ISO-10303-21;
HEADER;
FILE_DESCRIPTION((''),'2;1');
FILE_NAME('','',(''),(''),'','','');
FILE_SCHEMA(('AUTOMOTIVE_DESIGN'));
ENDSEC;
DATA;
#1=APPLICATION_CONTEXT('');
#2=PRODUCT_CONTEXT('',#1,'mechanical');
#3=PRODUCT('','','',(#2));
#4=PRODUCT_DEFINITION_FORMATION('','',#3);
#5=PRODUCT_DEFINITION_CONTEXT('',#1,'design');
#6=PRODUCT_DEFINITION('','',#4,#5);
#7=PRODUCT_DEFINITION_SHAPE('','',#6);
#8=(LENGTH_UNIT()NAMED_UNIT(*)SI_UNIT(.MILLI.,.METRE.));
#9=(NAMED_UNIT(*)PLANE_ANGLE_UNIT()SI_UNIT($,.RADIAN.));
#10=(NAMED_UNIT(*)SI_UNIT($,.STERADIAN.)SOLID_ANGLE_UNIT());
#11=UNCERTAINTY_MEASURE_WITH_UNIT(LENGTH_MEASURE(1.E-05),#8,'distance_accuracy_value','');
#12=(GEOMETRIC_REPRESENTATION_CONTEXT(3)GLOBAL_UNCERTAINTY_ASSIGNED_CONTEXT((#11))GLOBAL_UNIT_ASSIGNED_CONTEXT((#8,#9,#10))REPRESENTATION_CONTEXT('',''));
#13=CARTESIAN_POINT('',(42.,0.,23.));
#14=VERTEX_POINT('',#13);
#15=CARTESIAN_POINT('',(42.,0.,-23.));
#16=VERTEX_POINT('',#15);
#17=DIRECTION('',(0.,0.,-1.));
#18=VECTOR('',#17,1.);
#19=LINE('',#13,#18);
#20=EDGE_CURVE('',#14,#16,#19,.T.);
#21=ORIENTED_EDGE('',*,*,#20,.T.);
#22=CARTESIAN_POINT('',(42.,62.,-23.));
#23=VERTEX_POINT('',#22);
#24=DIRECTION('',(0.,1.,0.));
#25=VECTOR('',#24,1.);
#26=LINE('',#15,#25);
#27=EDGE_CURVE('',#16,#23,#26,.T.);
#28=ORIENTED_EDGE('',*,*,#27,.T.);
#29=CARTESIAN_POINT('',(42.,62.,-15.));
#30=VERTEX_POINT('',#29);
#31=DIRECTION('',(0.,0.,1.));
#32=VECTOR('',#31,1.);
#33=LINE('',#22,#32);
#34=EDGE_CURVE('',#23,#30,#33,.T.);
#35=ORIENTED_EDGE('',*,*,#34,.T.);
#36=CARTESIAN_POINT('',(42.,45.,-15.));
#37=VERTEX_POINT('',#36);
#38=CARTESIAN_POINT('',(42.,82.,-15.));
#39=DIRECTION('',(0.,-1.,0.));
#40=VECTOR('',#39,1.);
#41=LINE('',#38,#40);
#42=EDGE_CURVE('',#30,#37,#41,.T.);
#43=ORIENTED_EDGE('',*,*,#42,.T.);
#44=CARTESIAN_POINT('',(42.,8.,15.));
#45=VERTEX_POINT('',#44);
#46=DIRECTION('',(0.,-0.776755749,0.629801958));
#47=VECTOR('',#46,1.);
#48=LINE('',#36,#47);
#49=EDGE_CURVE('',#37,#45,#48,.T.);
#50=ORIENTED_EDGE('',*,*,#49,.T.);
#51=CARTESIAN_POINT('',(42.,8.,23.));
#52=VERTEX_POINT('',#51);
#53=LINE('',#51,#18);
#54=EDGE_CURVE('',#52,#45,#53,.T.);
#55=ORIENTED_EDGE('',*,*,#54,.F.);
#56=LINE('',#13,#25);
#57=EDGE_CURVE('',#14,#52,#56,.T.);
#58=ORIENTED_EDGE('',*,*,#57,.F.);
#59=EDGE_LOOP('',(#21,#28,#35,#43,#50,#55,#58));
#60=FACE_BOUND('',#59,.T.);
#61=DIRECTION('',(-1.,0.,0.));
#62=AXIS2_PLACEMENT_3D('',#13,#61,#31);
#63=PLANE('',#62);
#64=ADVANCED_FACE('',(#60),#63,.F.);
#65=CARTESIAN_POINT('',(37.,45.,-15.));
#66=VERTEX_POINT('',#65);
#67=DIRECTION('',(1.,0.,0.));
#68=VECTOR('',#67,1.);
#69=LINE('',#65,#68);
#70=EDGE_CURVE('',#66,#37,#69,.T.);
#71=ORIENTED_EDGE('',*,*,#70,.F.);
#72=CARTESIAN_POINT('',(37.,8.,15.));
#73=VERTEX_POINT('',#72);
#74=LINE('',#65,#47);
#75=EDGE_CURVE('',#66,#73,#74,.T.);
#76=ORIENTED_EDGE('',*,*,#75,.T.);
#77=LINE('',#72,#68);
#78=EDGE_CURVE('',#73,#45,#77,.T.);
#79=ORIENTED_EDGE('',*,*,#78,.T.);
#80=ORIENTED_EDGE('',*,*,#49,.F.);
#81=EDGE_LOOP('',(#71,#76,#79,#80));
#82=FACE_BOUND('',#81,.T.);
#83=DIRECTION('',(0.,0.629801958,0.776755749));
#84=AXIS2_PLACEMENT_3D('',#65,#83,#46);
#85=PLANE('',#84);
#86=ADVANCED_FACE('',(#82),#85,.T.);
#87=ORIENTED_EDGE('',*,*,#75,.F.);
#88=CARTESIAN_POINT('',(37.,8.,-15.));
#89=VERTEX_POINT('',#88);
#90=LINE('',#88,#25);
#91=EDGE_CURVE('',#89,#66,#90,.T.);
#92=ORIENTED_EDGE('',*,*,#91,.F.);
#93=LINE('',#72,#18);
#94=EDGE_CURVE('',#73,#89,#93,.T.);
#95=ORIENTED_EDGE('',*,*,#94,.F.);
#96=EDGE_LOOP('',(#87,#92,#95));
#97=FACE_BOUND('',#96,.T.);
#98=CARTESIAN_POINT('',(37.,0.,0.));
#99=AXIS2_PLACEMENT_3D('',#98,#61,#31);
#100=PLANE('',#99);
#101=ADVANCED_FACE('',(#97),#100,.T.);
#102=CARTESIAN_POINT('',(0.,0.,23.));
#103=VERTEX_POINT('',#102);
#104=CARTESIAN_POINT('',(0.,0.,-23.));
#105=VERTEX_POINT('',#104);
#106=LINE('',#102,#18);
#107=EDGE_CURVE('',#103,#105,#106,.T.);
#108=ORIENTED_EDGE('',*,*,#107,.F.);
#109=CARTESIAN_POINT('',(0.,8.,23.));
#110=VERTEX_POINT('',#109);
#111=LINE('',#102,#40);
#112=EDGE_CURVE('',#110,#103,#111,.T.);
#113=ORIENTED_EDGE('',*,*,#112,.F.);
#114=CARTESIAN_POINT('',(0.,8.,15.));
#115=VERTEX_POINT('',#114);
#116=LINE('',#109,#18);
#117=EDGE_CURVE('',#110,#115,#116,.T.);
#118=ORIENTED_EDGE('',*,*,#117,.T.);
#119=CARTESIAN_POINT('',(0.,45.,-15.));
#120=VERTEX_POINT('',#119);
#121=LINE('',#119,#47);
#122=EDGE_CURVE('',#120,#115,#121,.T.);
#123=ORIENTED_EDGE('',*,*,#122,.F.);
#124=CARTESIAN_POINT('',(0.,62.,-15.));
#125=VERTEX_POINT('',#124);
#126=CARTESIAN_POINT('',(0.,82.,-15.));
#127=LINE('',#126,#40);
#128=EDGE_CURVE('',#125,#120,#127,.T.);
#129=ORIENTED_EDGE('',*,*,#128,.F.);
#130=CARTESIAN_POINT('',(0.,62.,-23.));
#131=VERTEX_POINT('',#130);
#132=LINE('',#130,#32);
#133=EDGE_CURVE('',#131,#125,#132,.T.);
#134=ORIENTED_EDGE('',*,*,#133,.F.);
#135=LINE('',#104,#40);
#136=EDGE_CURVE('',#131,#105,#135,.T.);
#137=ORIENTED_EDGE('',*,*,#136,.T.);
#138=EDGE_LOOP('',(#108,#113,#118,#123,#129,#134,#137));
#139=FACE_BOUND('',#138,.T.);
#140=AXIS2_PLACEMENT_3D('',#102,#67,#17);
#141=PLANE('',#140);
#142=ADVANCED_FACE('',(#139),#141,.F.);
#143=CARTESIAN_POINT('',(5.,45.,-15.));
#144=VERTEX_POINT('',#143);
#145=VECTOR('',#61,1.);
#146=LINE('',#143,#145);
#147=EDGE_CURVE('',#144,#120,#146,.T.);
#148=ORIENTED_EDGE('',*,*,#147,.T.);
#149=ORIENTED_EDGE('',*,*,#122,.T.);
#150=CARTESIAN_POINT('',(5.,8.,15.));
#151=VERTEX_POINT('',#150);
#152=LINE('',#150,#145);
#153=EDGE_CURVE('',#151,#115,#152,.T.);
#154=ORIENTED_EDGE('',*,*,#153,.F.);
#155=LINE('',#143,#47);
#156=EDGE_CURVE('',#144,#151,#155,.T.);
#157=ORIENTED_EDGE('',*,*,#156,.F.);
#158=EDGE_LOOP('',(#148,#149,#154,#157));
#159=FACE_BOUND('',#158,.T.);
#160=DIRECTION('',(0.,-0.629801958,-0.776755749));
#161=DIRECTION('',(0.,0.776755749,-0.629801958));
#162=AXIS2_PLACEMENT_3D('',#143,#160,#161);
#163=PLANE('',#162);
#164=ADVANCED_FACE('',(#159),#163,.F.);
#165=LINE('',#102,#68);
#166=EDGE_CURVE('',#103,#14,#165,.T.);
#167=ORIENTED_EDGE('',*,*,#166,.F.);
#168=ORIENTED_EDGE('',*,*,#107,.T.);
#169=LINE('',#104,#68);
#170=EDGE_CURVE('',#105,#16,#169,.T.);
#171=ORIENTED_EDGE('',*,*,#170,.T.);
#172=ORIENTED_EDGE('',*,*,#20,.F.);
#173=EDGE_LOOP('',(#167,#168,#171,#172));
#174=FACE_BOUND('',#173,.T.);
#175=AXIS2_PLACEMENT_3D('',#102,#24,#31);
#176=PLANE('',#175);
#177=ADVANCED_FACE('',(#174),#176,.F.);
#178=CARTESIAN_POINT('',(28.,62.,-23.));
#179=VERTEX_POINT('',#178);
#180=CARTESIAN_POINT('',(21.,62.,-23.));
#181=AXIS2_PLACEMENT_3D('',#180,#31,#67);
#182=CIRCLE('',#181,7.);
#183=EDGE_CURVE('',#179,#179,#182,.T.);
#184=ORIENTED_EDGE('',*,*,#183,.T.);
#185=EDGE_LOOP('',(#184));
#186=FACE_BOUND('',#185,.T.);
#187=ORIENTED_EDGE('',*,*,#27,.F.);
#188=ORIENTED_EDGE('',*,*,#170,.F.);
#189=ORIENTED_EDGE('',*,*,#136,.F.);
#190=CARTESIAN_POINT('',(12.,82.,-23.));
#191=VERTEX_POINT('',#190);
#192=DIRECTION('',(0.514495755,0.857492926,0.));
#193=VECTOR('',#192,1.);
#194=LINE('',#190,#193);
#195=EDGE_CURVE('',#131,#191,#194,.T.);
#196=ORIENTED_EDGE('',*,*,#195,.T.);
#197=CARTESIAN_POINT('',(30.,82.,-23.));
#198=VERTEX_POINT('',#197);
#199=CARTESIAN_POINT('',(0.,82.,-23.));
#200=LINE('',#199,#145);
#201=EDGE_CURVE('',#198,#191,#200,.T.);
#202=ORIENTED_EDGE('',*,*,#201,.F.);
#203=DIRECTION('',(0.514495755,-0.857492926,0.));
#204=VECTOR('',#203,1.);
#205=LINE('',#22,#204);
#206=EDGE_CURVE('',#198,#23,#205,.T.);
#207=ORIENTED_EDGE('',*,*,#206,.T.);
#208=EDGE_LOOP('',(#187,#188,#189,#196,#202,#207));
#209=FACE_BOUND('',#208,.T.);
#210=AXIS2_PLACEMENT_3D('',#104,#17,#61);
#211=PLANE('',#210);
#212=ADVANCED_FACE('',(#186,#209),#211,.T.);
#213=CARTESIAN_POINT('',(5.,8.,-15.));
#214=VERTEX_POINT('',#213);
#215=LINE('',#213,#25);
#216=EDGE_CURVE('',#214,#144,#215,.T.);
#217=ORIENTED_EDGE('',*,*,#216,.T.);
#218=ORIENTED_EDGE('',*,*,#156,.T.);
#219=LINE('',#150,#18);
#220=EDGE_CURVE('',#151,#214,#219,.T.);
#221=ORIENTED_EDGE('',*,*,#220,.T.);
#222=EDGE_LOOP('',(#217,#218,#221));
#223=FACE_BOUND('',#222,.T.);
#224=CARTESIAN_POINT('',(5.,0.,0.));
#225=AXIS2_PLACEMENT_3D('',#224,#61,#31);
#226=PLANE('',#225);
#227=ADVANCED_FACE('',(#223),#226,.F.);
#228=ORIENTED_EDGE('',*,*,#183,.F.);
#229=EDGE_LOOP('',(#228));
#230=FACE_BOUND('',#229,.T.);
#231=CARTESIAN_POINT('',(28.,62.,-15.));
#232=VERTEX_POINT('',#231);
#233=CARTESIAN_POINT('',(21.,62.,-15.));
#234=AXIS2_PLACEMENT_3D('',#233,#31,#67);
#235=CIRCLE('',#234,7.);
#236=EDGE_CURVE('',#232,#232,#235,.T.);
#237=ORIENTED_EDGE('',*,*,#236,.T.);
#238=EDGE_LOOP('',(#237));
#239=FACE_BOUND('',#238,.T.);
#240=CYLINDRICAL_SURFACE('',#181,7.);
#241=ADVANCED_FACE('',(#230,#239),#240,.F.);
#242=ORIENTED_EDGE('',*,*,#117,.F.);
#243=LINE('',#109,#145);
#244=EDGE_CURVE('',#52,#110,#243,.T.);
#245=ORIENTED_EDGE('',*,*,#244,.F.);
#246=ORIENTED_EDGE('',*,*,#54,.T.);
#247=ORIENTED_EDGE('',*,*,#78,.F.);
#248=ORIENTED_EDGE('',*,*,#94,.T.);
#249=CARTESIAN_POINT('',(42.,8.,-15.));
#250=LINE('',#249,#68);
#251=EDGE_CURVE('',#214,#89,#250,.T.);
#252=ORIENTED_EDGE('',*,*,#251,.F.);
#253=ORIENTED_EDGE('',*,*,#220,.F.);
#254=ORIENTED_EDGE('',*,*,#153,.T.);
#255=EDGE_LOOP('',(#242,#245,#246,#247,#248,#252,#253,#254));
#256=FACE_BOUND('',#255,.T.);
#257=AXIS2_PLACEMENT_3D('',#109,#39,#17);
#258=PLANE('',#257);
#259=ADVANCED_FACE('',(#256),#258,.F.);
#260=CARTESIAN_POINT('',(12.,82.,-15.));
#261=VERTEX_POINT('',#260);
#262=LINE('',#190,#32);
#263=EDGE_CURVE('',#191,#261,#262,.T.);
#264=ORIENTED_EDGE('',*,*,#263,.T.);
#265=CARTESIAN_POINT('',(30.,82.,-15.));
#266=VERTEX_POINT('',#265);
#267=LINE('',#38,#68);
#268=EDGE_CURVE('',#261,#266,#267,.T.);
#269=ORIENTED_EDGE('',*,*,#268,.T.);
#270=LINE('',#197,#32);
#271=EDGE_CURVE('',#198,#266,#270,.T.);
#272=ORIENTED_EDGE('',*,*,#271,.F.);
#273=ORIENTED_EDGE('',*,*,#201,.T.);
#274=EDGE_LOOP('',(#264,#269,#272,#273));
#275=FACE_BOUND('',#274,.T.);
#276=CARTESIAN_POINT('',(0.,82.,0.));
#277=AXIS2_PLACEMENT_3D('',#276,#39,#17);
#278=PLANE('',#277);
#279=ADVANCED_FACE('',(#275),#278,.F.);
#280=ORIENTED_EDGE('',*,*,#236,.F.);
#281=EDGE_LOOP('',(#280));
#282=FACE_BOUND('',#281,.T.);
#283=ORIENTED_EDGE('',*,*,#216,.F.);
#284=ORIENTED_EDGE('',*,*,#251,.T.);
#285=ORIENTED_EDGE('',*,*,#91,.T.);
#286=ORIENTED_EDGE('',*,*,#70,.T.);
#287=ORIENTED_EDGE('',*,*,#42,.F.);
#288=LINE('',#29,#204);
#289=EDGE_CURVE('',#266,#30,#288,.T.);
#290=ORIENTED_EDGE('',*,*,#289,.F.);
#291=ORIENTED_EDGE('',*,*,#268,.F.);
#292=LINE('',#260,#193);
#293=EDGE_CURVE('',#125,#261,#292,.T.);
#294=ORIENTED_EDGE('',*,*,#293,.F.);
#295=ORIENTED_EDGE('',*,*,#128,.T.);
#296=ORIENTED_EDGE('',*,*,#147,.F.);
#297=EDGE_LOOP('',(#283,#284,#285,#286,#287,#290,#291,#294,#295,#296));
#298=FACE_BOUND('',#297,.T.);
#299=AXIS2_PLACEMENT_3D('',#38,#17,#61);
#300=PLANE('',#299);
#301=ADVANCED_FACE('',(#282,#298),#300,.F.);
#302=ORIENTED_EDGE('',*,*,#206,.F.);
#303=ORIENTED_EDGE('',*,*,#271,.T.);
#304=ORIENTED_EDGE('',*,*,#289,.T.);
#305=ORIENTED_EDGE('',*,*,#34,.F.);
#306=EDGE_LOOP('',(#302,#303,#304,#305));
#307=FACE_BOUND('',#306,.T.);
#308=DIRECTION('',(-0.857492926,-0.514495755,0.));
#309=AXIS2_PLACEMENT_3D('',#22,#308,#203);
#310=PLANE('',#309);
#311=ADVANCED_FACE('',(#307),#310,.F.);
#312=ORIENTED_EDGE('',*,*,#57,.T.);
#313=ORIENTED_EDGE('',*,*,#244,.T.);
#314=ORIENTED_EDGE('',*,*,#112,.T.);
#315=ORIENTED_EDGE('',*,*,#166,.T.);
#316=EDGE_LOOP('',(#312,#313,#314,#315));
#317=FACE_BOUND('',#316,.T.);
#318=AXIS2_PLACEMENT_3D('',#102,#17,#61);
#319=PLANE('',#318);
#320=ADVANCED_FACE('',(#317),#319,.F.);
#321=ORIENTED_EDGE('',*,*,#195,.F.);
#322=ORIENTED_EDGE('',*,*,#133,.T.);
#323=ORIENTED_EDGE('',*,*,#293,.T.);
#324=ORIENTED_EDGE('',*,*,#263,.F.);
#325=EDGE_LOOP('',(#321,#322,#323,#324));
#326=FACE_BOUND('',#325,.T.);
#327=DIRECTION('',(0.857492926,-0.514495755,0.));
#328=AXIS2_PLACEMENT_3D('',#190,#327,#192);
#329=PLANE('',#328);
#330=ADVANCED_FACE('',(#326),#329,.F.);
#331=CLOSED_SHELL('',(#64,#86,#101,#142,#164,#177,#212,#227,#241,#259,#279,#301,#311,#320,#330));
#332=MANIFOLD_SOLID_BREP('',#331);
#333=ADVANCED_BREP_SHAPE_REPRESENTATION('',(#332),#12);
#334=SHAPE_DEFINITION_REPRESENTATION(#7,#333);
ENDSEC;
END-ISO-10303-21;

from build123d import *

# Parameters (mm, degrees)
SKETCH2_W           = 42
SKETCH2_H           = 8
BOSS_EXTRUDE1_DEPTH = 23
SKETCH3_W           = 42
SKETCH3_H           = 8
BOSS_EXTRUDE2_DEPTH = 74
CUT_EXTRUDE1_DEPTH  = 100.659420026
BOSS_EXTRUDE3_DEPTH = 5
BOSS_EXTRUDE5_DEPTH = 5
SKETCH11_R          = 7
CUT_EXTRUDE2_DEPTH  = 100.659420026


with BuildPart() as part:
    # Sketch2 → Boss-Extrude1 (new, symmetric)
    with BuildSketch(Plane.XY):
        with Locations((21, 4)):
            Rectangle(SKETCH2_W, SKETCH2_H)
    extrude(amount=BOSS_EXTRUDE1_DEPTH, both=True)

    # Sketch3 → Boss-Extrude2 (add)
    with BuildSketch(Plane(origin=(0, 8, 0), x_dir=(1, 0, 0), z_dir=(0, 1, 0))):
        with Locations((21, 19)):
            Rectangle(SKETCH3_W, SKETCH3_H)
    extrude(amount=BOSS_EXTRUDE2_DEPTH)

    # Sketch4 → Cut-Extrude1 (cut, through all)
    with BuildSketch(Plane.XY.offset(-15)):
        Polygon((0, 82), (12, 82), (0, 62), align=None)
        Polygon((30, 82), (42, 82), (42, 62), align=None)
    extrude(amount=-CUT_EXTRUDE1_DEPTH, mode=Mode.SUBTRACT)

    # Sketch6 → Boss-Extrude3 (add)
    with BuildSketch(Plane(origin=(0, 0, 0), x_dir=(0, 0, -1), z_dir=(1, 0, 0))):
        Polygon((15, 45), (-15, 8), (15, 8), align=None)
    extrude(amount=BOSS_EXTRUDE3_DEPTH)

    # Sketch10 → Boss-Extrude5 (add)
    with BuildSketch(Plane(origin=(42, 0, 0), x_dir=(0, 0, -1), z_dir=(1, 0, 0))):
        Polygon((15, 45), (-15, 8), (15, 8), align=None)
    extrude(amount=-BOSS_EXTRUDE5_DEPTH)

    # Sketch11 → Cut-Extrude2 (cut, through all)
    with BuildSketch(Plane.XY.offset(-15)):
        with Locations((21, 62)):
            Circle(SKETCH11_R)
    extrude(amount=-CUT_EXTRUDE2_DEPTH, mode=Mode.SUBTRACT)


solid = part.part
